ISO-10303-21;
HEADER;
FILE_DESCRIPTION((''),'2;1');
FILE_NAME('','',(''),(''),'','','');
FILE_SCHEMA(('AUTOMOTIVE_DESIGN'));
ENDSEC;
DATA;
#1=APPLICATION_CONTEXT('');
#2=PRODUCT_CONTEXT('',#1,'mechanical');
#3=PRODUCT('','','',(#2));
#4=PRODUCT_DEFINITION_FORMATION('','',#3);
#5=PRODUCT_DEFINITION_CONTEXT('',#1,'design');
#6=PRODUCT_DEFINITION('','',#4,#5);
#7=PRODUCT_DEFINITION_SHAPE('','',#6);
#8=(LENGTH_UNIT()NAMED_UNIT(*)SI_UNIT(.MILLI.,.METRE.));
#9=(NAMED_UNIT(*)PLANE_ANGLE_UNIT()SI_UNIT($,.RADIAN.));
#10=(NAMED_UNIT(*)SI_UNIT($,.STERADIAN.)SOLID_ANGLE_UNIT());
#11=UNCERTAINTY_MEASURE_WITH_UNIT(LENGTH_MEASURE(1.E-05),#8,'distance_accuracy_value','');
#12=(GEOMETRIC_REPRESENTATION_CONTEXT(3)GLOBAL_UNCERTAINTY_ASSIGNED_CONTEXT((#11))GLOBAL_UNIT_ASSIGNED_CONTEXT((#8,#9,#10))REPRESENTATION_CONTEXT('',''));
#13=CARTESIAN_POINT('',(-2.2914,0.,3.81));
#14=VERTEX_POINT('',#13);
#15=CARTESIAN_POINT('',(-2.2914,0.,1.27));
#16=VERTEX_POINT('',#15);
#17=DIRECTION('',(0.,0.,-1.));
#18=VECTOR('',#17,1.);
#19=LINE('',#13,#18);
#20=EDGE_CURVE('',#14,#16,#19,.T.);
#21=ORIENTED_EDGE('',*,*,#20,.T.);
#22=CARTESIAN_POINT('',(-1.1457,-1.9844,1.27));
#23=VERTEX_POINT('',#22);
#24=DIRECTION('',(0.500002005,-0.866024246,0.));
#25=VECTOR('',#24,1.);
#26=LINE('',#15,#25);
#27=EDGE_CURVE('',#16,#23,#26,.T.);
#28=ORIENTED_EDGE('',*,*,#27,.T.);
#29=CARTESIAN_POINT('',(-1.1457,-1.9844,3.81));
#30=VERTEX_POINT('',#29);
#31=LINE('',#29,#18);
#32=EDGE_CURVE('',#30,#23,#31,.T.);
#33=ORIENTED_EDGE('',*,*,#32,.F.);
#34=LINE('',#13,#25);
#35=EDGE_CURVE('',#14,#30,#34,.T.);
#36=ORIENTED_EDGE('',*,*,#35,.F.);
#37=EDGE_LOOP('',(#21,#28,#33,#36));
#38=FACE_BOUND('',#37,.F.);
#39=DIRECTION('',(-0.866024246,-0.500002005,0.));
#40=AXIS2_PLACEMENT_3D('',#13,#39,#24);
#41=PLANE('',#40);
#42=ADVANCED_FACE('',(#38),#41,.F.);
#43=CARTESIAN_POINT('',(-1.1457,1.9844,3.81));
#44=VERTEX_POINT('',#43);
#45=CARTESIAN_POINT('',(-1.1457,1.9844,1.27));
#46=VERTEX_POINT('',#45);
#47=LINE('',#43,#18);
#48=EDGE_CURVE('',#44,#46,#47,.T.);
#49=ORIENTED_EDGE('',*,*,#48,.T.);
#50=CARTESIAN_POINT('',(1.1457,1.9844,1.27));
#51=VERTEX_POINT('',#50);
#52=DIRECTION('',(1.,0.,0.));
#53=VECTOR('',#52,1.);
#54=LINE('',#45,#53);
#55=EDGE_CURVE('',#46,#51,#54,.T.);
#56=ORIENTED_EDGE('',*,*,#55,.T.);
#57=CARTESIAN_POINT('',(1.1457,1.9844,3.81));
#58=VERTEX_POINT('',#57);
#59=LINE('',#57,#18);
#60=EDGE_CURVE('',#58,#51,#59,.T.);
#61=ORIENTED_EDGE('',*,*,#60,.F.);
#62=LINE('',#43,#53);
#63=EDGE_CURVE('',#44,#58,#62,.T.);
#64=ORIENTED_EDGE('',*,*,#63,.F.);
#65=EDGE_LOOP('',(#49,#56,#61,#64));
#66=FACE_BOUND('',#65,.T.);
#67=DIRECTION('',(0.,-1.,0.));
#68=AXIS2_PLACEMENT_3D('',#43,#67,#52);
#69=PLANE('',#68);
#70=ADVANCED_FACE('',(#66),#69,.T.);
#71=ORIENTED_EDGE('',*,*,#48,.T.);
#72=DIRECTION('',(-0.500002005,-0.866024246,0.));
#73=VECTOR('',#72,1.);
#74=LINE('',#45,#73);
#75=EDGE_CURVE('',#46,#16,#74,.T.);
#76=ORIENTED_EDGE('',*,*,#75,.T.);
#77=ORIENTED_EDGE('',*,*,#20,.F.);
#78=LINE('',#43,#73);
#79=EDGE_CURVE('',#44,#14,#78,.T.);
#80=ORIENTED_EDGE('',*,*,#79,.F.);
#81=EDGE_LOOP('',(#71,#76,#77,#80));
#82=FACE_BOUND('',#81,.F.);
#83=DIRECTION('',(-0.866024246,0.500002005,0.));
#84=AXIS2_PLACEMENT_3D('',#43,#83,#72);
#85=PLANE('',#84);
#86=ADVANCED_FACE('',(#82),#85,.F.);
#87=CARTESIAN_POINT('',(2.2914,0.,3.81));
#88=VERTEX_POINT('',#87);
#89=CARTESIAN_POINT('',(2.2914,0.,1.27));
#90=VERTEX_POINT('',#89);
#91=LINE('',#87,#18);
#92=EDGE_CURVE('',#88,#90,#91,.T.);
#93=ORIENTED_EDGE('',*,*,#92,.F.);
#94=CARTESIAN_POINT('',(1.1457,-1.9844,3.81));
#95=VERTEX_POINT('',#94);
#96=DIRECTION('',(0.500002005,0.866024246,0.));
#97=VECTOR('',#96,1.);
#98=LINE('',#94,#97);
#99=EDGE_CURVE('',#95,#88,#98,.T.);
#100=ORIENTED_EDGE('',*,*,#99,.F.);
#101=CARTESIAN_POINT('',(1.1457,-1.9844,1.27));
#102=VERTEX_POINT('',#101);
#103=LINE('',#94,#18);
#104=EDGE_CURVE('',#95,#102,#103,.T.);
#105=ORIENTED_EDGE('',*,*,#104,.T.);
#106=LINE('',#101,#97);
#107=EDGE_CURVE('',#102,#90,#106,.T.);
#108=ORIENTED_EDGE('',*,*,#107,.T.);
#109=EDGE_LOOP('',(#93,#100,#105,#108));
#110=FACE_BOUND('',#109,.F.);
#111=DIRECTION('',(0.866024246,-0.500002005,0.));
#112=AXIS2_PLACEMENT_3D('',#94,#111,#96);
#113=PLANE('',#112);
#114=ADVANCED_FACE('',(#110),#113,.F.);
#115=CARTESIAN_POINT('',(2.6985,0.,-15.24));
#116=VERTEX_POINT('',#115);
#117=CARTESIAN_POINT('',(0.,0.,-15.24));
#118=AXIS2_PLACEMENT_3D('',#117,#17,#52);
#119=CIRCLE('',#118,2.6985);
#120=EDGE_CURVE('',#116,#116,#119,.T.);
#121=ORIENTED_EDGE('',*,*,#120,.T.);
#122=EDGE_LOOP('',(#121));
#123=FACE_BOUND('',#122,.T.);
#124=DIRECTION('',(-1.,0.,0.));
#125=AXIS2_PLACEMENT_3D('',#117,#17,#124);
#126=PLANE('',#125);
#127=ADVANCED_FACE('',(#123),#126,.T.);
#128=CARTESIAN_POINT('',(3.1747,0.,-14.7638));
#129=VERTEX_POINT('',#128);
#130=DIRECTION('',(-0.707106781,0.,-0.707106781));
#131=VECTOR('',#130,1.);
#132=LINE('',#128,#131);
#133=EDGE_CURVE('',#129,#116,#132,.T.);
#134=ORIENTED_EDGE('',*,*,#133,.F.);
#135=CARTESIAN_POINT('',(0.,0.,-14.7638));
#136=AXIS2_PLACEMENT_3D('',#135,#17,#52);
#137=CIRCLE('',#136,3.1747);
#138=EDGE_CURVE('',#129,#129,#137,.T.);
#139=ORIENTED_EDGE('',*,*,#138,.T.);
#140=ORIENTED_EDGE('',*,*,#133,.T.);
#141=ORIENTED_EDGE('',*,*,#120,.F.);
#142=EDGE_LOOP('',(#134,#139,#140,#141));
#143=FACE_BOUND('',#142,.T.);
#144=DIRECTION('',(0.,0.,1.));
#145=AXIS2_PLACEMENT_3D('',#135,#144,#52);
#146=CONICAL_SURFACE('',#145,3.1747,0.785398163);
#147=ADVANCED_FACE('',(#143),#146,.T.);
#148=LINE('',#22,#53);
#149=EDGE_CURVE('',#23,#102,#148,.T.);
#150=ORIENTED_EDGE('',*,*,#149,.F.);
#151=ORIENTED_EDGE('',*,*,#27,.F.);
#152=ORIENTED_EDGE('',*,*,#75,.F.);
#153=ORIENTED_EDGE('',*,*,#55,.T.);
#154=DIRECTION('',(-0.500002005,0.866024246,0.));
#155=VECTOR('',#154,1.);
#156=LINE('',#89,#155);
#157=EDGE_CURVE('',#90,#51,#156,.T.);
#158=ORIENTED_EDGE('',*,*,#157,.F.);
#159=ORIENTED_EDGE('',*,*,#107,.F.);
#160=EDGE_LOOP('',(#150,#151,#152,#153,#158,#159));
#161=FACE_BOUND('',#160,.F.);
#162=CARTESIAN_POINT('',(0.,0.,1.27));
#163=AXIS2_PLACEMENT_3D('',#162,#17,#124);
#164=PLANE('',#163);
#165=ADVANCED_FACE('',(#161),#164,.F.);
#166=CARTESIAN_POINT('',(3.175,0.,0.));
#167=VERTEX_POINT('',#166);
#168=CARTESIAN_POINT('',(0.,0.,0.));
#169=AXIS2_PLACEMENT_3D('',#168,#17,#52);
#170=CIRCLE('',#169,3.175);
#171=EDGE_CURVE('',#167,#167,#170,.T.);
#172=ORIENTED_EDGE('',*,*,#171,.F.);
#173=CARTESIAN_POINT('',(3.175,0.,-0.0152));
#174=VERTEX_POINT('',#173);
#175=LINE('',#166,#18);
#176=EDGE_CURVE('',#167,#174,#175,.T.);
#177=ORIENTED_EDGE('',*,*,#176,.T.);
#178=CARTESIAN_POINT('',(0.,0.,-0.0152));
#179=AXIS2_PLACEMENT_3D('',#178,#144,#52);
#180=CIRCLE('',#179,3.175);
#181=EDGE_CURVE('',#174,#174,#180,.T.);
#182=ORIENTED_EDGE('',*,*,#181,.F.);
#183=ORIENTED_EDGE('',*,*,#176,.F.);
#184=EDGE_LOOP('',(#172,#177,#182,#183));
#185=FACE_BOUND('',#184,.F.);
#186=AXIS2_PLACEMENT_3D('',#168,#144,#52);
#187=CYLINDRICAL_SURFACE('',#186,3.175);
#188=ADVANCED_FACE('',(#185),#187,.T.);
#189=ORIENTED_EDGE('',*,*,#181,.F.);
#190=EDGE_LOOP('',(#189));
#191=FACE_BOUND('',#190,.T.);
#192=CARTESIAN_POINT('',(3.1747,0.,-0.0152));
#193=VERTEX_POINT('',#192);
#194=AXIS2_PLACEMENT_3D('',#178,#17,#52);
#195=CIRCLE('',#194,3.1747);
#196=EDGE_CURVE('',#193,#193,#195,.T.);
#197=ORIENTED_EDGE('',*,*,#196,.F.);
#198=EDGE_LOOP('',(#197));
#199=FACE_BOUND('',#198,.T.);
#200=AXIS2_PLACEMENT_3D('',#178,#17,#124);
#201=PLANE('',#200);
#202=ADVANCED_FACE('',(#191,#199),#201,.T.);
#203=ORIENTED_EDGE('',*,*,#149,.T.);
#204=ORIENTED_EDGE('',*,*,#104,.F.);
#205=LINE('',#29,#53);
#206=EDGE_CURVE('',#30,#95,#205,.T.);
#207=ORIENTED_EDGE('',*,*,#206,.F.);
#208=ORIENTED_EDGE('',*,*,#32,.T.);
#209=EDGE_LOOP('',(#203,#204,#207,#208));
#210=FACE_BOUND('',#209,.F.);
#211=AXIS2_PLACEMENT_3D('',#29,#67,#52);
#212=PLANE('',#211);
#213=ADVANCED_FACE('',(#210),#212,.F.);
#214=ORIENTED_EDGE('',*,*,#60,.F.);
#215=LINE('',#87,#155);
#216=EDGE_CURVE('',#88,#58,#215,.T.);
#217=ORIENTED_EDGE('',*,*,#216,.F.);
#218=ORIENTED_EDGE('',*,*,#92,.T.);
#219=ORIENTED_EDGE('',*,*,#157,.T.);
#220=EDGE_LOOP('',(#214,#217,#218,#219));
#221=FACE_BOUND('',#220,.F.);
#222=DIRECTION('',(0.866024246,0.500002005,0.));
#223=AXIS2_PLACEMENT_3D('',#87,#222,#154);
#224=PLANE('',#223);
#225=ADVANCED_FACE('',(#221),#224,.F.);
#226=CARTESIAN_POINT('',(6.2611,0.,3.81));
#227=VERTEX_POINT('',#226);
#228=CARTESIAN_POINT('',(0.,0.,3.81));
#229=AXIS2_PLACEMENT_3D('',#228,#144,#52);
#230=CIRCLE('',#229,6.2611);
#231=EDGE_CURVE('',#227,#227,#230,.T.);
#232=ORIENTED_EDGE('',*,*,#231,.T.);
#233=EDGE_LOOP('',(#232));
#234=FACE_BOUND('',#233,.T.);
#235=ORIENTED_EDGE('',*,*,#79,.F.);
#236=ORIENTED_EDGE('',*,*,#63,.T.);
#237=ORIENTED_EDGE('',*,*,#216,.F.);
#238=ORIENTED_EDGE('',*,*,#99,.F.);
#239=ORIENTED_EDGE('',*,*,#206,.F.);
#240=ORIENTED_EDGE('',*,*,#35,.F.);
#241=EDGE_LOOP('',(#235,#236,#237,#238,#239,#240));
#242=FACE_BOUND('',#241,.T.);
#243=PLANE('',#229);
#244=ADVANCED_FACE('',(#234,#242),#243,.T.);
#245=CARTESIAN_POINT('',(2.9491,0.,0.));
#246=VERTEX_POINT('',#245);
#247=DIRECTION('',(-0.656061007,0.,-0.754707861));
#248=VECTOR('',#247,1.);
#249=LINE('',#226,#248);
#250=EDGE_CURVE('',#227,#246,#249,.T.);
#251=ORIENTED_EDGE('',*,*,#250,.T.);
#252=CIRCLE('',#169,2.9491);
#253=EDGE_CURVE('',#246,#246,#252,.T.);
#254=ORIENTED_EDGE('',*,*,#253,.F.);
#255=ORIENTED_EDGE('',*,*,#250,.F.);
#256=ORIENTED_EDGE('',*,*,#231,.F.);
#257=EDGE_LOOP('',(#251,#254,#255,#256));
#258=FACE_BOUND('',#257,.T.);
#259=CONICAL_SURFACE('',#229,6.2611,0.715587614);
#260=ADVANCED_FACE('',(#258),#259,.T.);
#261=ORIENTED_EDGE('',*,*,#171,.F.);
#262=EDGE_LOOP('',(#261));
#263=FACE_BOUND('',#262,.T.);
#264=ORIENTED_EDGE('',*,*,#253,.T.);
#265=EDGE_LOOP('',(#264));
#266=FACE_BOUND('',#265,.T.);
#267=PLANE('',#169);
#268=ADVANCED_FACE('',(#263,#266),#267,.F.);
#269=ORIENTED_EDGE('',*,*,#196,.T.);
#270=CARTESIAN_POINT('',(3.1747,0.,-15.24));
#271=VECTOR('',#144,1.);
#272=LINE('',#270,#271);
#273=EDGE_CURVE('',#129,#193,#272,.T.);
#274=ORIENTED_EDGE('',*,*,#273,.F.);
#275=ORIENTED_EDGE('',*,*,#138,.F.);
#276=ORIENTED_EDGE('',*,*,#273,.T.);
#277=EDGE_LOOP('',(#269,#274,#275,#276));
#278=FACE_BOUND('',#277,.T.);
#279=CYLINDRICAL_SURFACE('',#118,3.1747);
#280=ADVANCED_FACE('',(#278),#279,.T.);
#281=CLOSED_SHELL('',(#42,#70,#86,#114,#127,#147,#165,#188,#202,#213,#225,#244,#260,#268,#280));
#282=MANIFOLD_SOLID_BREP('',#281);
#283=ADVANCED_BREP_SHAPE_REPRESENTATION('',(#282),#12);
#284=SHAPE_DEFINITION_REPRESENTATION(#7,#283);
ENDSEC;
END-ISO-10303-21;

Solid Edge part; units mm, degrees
sketch "Sketch1" plane through (0, 0, 0) normal (0, 0, 1) x (1, 0, 0)
  circle A0 centre (0, 0) radius 6.2611
  dimension "D1" = 12.5222
extrude "Protrusion1" add sketch "Sketch1" along normal blind 3.81
sketch "Sketch2" plane through (0, 0, 0) normal (0, 0, -1) x (1, 0, 0)
  circle A0 centre (0, 0) radius 3.175
extrude "Protrusion2" add sketch "Sketch2" along normal blind 15.24
sketch "Sketch3" plane through (0, 0, -15.24) normal (0, 0, -1) x (1, 0, 0)
  circle A0 centre (0, 0) radius 3.1747
extrude "Cutout1" cut sketch "Sketch3" against normal blind 15.2248 flip side to cut
chamfer "Chamfer_1" distance 0.4762 angle 45 1 edges at (-3.1747, 0, -15.24)
sketch "Sketch4" plane through (0, 0, 3.81) normal (0, 0, 1) x (1, 0, 0)
  line L0 (-1.1457, 1.9844) -> (1.1457, 1.9844)
  line L1 (2.2914, 0) -> (1.1457, 1.9844)
  line L2 (1.1457, -1.9844) -> (2.2914, 0)
  line L3 (-1.1457, -1.9844) -> (1.1457, -1.9844)
  line L4 (-2.2914, 0) -> (-1.1457, -1.9844)
  line L5 (-1.1457, 1.9844) -> (-2.2914, 0)
  dimension "D1" = 3.9688
extrude "Cutout2" cut sketch "Sketch4" against normal blind 2.54
sketch "Sketch5" plane through (0, 0, 0) normal (0, -1, 0) x (1, 0, 0)
  line L0 (6.2611, 3.81) -> (2.9491, 0)
  line L1 (2.9491, 0) -> (6.2611, 0)
  line L2 (6.2611, 0) -> (6.2611, 3.81)
revolve "RevolvedCutout1" cut sketch "Sketch5" angle 360 about axis through (0, 0, 14.0017) along (0, 0, -1)
properties part number "24101618"
